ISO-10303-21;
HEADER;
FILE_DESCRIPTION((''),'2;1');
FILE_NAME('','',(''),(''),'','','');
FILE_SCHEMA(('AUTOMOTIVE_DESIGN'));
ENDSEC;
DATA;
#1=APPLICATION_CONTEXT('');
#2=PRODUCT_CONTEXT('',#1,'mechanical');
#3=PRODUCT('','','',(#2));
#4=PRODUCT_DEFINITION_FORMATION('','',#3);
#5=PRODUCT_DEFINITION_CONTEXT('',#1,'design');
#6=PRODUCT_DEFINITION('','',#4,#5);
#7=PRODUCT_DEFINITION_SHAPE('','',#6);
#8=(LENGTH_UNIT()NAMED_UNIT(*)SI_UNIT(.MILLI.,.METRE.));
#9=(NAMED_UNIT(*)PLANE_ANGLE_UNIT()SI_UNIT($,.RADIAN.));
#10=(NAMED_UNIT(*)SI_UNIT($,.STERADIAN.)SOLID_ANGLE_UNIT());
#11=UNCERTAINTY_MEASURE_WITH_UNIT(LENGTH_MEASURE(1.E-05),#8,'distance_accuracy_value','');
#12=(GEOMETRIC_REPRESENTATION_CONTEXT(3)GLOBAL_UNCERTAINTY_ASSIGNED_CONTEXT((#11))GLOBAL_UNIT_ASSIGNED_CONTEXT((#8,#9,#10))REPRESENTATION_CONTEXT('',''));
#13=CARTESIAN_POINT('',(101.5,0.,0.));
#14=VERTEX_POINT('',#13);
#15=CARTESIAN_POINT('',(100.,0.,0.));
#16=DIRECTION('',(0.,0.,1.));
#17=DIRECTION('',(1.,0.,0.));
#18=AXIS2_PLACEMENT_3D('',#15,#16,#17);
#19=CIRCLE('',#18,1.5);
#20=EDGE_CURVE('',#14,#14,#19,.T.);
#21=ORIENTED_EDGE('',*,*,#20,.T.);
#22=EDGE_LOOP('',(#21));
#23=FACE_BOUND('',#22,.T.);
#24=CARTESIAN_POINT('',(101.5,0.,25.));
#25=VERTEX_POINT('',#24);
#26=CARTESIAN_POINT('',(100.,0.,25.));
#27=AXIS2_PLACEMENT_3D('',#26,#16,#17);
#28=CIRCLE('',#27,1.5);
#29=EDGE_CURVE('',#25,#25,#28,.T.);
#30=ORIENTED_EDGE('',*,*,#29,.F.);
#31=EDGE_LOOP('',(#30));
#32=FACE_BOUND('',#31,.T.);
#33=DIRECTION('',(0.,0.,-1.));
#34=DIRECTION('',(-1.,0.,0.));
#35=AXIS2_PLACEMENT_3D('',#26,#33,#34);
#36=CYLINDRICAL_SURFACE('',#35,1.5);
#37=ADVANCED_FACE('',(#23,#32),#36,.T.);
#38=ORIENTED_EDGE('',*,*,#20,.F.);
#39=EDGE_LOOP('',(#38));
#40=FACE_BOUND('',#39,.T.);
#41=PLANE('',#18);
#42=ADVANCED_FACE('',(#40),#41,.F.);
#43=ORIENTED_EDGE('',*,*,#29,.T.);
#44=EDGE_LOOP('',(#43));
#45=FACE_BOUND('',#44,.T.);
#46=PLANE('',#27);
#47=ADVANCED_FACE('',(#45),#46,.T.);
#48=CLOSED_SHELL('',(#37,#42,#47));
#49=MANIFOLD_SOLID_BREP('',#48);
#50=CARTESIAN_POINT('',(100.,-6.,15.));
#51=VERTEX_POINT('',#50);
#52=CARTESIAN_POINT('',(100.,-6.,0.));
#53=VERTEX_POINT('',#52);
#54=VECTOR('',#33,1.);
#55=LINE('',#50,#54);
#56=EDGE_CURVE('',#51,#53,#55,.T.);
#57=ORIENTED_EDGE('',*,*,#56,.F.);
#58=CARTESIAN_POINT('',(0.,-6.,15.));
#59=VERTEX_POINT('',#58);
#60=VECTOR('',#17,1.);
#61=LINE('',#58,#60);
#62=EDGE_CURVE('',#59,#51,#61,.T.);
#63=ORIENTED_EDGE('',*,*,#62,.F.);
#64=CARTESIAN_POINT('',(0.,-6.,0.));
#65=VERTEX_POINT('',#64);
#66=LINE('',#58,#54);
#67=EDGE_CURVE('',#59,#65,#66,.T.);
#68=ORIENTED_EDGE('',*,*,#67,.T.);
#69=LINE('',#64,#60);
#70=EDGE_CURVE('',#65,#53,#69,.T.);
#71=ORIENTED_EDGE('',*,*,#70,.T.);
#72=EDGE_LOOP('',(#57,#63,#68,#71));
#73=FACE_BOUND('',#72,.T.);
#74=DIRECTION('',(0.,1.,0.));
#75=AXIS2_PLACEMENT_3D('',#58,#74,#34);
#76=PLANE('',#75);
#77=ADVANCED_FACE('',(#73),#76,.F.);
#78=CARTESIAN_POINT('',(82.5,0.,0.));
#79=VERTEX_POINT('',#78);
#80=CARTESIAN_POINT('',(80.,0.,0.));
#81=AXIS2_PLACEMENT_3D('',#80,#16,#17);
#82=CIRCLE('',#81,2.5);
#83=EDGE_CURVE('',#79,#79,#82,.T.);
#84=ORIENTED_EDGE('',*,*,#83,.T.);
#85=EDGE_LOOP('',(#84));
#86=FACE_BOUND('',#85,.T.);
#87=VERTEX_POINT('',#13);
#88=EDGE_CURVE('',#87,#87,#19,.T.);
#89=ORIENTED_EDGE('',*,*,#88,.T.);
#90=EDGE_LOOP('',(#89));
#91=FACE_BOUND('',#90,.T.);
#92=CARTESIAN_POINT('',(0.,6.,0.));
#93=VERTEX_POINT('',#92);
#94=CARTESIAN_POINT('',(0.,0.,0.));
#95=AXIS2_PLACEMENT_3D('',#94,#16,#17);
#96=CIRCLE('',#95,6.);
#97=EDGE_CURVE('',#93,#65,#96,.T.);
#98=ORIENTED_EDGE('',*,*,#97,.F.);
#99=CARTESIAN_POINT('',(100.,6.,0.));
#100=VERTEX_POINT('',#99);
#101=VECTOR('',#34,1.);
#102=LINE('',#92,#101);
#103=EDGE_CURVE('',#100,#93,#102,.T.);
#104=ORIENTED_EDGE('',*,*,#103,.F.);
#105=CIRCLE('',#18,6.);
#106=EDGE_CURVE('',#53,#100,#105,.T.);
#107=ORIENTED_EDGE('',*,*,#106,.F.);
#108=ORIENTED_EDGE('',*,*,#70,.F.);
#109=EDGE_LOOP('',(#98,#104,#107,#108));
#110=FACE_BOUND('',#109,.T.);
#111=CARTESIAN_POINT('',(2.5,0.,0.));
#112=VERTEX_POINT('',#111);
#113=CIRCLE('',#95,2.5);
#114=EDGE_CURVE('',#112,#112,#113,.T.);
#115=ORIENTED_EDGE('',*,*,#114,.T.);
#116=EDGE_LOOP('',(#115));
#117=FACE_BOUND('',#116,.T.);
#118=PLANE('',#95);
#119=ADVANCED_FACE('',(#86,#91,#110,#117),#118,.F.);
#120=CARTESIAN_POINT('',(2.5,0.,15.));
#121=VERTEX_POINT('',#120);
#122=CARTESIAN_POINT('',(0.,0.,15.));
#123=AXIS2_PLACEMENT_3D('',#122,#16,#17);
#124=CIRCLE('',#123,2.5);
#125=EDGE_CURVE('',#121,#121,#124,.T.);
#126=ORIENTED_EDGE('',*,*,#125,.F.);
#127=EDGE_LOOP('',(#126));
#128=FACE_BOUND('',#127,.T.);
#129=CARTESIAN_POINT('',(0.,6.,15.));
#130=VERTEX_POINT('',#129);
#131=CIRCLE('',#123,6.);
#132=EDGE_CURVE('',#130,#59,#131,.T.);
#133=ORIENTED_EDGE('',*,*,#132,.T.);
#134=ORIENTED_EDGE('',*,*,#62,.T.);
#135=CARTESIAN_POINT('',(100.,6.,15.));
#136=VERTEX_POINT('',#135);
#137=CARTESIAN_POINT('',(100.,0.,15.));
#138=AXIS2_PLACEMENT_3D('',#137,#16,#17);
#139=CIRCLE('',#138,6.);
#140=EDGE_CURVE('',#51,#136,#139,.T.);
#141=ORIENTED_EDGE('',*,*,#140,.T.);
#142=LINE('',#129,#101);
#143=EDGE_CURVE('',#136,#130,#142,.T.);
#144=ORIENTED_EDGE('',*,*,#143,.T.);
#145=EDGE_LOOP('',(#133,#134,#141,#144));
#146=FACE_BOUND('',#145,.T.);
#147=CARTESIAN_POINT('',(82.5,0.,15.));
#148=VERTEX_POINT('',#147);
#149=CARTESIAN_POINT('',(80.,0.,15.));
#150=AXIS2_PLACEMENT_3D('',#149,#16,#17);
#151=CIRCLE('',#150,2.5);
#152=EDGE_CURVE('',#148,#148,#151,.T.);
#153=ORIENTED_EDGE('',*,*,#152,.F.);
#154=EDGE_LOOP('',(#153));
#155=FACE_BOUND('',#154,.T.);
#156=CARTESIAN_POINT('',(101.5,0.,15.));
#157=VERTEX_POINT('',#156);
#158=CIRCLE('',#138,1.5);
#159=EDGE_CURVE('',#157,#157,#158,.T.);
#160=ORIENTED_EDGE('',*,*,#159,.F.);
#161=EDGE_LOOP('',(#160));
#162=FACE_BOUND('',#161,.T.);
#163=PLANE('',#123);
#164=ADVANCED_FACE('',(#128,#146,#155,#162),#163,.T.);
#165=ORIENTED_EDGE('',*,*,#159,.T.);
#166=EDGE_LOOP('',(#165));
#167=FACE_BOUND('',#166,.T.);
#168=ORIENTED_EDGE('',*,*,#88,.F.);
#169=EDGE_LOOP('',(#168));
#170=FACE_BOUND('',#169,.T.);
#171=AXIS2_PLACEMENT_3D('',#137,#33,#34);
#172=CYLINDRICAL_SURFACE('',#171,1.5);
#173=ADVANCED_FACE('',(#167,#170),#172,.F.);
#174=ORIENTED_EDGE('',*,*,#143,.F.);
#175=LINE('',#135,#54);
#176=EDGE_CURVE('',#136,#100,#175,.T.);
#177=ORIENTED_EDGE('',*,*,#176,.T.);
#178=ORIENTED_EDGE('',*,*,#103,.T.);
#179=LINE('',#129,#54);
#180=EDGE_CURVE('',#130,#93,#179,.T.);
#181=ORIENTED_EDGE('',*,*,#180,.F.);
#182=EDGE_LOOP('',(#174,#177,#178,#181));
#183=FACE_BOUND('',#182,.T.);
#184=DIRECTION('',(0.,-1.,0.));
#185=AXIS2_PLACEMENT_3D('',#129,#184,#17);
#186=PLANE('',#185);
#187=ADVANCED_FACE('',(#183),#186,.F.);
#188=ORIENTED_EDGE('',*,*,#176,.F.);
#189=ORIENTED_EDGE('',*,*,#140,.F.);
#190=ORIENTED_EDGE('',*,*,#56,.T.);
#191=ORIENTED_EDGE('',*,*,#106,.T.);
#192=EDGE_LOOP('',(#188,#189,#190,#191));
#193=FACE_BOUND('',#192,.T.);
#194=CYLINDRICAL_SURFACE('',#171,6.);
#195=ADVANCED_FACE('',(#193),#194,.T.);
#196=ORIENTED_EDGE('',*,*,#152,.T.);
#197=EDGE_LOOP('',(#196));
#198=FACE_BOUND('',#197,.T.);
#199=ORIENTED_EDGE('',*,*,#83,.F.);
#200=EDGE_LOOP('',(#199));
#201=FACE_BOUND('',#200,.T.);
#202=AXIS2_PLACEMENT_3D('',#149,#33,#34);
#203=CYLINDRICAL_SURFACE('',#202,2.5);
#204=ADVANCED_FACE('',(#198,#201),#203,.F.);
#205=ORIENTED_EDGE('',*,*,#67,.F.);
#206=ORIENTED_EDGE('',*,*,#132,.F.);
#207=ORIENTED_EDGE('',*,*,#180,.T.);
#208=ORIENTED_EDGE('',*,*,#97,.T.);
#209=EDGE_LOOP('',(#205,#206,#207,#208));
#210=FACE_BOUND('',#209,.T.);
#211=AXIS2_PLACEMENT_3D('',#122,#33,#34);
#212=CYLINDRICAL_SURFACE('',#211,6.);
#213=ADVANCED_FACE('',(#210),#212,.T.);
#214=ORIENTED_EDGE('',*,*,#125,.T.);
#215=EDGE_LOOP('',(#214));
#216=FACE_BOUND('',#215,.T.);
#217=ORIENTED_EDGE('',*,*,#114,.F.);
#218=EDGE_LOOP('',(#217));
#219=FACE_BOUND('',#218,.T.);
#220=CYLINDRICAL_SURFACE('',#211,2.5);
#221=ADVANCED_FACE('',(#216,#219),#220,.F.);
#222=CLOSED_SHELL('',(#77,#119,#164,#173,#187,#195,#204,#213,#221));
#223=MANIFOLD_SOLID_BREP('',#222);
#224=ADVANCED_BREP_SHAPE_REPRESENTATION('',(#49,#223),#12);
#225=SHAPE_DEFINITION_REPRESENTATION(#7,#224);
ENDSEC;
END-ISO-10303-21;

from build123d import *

# Parameters (mm, degrees)
CROQUIS1_R              = 2.5
CROQUIS1_R_2            = 1.5
SALIENTE_EXTRUIR2_DEPTH = 15
CROQUIS1_2_R            = 1.5
SALIENTE_EXTRUIR3_DEPTH = 25


with BuildPart() as part:
    # Croquis1 → Saliente-Extruir2 (new body)
    with BuildSketch(Plane.XY):
        with BuildLine():
            Line((0, 6), (100, 6))
            ThreePointArc((100, 6), (106, 0), (100, -6))
            Line((100, -6), (0, -6))
            ThreePointArc((0, -6), (-6, 0), (0, 6))
        make_face()
        Circle(CROQUIS1_R, mode=Mode.SUBTRACT)
        with Locations((80, 0)):
            Circle(CROQUIS1_R, mode=Mode.SUBTRACT)
        with Locations((100, 0)):
            Circle(CROQUIS1_R_2, mode=Mode.SUBTRACT)
    extrude(amount=SALIENTE_EXTRUIR2_DEPTH)


with BuildPart() as body_2:
    # Croquis1<2> → Saliente-Extruir3 (new body)
    with BuildSketch(Plane.XY):
        with Locations((100, 0)):
            Circle(CROQUIS1_2_R)
    extrude(amount=SALIENTE_EXTRUIR3_DEPTH)


solid = Compound([part.part, body_2.part])
